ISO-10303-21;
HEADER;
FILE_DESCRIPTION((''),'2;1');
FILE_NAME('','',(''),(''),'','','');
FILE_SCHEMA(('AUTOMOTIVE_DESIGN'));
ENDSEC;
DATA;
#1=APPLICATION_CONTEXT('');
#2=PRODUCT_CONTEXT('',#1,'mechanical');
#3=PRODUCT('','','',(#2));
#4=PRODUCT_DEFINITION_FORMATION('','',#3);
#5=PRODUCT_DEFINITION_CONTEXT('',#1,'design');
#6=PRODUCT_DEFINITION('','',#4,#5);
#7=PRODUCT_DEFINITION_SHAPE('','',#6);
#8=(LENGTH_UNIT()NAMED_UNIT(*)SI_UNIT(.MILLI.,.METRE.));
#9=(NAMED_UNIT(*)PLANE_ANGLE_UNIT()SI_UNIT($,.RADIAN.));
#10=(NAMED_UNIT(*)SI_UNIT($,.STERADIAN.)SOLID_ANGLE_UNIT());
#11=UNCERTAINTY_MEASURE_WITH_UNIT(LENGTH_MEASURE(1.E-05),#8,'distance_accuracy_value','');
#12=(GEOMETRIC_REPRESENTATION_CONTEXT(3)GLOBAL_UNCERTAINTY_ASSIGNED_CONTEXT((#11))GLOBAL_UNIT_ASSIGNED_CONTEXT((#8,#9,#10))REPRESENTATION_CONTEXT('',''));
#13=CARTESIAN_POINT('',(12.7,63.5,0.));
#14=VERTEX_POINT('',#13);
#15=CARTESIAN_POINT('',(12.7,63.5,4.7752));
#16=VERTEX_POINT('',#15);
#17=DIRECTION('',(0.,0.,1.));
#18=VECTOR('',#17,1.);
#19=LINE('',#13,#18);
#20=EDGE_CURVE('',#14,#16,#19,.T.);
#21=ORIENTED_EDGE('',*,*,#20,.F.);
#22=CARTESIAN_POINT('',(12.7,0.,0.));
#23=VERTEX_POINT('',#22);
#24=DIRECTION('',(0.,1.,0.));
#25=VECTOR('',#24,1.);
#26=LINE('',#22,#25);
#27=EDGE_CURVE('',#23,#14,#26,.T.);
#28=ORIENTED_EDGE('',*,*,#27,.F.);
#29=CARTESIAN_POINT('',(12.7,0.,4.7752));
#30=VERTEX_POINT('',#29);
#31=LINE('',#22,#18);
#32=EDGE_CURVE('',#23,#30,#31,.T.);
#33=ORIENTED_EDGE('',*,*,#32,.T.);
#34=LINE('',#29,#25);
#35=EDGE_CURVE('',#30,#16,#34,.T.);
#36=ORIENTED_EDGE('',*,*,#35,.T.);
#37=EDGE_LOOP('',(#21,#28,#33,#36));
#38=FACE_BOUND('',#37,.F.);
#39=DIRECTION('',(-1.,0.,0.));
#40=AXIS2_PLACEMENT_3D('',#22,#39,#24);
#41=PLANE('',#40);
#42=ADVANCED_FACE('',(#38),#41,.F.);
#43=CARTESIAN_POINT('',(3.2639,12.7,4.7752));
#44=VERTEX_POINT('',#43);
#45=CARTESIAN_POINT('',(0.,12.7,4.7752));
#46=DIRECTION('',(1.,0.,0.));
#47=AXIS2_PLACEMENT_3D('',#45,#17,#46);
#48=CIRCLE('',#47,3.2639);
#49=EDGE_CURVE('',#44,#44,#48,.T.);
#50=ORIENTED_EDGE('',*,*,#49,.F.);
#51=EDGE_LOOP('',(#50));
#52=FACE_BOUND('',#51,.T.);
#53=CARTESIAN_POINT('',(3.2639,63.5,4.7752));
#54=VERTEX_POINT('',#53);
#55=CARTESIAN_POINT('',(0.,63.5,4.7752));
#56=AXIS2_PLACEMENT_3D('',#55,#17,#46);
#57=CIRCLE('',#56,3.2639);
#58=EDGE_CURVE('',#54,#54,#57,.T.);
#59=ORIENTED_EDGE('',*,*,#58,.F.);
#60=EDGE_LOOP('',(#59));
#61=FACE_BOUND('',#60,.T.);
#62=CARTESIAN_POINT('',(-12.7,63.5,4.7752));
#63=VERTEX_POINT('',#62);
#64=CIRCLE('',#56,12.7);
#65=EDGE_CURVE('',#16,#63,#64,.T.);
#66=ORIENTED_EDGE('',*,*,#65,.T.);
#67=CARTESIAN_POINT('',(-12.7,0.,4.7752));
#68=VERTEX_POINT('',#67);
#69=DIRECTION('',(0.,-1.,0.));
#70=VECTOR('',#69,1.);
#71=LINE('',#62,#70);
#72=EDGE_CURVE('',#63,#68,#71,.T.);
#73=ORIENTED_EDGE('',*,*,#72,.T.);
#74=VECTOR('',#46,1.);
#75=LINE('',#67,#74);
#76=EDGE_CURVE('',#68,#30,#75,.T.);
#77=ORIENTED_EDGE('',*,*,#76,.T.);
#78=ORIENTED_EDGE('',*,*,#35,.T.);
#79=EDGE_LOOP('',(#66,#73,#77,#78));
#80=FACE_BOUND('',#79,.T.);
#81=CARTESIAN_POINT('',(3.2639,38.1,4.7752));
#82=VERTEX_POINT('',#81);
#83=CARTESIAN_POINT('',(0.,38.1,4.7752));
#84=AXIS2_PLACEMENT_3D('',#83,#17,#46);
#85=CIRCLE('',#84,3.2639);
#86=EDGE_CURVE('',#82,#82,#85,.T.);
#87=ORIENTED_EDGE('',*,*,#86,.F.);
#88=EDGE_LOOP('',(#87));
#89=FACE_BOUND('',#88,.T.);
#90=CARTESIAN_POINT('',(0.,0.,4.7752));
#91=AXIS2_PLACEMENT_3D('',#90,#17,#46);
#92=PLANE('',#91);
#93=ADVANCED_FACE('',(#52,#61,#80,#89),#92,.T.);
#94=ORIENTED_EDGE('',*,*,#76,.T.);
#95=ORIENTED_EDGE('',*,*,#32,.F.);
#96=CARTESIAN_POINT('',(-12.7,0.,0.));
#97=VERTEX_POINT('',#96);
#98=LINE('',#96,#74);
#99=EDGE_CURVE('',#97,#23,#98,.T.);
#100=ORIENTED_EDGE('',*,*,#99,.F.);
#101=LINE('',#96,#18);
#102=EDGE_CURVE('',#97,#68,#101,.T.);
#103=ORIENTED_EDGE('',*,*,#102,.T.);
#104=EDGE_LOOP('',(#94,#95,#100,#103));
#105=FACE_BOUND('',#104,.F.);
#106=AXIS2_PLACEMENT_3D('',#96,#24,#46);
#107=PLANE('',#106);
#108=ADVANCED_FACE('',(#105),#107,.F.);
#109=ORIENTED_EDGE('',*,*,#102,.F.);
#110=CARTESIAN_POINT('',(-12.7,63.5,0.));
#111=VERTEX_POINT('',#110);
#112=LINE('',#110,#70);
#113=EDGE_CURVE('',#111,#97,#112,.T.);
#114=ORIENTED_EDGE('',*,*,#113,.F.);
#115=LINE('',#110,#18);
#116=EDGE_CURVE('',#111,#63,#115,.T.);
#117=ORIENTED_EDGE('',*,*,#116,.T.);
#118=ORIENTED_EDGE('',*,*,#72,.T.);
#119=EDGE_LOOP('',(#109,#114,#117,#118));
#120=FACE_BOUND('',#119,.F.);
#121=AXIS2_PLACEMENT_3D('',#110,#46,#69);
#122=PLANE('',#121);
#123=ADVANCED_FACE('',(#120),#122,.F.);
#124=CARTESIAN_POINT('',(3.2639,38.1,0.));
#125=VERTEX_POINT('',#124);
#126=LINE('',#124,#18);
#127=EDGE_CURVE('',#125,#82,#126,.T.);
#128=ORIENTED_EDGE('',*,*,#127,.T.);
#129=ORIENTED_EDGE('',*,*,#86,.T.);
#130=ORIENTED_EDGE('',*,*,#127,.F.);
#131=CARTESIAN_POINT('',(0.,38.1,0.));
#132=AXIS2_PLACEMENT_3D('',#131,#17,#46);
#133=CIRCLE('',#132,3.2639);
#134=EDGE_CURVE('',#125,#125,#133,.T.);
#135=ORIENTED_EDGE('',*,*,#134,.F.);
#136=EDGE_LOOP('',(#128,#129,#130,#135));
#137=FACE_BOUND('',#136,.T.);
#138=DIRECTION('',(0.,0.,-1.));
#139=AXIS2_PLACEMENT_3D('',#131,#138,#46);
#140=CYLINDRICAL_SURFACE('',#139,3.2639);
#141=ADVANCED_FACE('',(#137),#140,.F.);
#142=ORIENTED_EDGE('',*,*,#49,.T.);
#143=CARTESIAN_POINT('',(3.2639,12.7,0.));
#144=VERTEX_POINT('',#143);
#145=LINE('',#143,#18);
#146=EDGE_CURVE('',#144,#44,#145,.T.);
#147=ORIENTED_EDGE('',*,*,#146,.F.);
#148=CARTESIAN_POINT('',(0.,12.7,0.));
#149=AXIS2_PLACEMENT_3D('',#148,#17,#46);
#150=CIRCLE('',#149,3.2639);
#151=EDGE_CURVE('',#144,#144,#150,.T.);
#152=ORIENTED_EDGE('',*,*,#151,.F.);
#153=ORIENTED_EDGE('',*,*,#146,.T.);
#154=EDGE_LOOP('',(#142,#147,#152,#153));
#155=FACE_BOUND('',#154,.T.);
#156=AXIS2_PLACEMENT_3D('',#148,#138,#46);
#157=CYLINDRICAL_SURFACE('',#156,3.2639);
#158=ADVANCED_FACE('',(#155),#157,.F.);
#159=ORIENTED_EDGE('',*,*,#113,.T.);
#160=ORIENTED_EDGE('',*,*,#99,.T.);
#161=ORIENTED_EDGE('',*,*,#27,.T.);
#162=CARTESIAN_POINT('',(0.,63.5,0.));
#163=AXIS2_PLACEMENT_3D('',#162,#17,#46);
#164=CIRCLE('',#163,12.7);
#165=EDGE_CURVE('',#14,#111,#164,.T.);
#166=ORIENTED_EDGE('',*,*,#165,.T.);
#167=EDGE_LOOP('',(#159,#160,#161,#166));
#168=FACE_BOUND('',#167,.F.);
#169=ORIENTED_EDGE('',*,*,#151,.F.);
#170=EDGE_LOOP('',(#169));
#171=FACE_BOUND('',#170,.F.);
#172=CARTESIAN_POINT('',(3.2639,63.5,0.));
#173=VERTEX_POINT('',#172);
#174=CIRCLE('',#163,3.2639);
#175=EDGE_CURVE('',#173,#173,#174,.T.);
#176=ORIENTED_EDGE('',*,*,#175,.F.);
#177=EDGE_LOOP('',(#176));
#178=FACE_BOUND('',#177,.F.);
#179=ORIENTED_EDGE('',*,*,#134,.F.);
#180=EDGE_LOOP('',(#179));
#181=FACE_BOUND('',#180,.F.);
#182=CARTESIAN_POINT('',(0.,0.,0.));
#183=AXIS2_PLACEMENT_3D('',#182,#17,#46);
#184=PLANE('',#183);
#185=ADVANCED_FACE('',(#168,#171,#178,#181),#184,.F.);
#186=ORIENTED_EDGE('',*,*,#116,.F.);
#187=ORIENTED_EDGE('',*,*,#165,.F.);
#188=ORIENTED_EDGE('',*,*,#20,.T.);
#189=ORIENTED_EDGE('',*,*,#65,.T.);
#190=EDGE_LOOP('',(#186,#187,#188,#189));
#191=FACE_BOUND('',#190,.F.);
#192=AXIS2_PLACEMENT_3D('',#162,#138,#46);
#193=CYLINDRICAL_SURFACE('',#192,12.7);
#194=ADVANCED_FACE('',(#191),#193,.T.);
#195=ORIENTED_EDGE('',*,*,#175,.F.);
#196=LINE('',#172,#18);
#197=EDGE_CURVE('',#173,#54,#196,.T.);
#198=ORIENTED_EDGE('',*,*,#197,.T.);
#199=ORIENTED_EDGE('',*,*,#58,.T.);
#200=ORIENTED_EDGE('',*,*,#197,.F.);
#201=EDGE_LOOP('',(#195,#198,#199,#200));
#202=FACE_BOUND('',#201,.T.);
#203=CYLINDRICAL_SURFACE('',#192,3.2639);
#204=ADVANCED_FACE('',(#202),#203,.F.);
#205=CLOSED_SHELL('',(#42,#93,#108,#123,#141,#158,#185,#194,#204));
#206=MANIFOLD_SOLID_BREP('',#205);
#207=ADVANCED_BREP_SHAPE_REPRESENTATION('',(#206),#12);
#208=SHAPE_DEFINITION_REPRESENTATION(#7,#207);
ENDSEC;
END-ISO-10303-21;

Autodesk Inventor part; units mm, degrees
sketch "Sketch_1" plane through (0, 0, 0) normal (0, 0, 1) x (1, 0, 0)
  line L0 (-12.7, 63.5) -> (-12.7, 0)
  line L1 (-12.7, 0) -> (12.7, 0)
  line L2 (12.7, 0) -> (12.7, 63.5)
  arc A0 (12.7, 63.5) -> (-12.7, 63.5) centre (0, 63.5) ccw
  circle A1 centre (0, 12.7) radius 3.2639
  circle A2 centre (0, 38.1) radius 3.2639
  circle A3 centre (0, 63.5) radius 3.2639
extrude "Extrusion1" add sketch "Sketch_1" along normal blind 4.7752
ref_plane "pivot_arm_XY" through (0, 63.5, 0) normal (0, 0, 1) x (1, 0, 0)
ref_plane "pivot_arm_YZ" through (0, 63.5, 0) normal (1, 0, 0) x (0, 1, 0)
ref_plane "pivot_arm_ZX" through (0, 63.5, 0) normal (0, 1, 0) x (0, 0, 1)
ref_plane "to_bolt_XY" through (0, 63.5, 4.7752) normal (0, 0, 1) x (1, 0, 0)
ref_plane "to_bolt_YZ" through (0, 63.5, 4.7752) normal (1, 0, 0) x (0, 1, 0)
ref_plane "to_bolt_ZX" through (0, 63.5, 4.7752) normal (0, 1, 0) x (0, 0, 1)
properties part number "4196"
